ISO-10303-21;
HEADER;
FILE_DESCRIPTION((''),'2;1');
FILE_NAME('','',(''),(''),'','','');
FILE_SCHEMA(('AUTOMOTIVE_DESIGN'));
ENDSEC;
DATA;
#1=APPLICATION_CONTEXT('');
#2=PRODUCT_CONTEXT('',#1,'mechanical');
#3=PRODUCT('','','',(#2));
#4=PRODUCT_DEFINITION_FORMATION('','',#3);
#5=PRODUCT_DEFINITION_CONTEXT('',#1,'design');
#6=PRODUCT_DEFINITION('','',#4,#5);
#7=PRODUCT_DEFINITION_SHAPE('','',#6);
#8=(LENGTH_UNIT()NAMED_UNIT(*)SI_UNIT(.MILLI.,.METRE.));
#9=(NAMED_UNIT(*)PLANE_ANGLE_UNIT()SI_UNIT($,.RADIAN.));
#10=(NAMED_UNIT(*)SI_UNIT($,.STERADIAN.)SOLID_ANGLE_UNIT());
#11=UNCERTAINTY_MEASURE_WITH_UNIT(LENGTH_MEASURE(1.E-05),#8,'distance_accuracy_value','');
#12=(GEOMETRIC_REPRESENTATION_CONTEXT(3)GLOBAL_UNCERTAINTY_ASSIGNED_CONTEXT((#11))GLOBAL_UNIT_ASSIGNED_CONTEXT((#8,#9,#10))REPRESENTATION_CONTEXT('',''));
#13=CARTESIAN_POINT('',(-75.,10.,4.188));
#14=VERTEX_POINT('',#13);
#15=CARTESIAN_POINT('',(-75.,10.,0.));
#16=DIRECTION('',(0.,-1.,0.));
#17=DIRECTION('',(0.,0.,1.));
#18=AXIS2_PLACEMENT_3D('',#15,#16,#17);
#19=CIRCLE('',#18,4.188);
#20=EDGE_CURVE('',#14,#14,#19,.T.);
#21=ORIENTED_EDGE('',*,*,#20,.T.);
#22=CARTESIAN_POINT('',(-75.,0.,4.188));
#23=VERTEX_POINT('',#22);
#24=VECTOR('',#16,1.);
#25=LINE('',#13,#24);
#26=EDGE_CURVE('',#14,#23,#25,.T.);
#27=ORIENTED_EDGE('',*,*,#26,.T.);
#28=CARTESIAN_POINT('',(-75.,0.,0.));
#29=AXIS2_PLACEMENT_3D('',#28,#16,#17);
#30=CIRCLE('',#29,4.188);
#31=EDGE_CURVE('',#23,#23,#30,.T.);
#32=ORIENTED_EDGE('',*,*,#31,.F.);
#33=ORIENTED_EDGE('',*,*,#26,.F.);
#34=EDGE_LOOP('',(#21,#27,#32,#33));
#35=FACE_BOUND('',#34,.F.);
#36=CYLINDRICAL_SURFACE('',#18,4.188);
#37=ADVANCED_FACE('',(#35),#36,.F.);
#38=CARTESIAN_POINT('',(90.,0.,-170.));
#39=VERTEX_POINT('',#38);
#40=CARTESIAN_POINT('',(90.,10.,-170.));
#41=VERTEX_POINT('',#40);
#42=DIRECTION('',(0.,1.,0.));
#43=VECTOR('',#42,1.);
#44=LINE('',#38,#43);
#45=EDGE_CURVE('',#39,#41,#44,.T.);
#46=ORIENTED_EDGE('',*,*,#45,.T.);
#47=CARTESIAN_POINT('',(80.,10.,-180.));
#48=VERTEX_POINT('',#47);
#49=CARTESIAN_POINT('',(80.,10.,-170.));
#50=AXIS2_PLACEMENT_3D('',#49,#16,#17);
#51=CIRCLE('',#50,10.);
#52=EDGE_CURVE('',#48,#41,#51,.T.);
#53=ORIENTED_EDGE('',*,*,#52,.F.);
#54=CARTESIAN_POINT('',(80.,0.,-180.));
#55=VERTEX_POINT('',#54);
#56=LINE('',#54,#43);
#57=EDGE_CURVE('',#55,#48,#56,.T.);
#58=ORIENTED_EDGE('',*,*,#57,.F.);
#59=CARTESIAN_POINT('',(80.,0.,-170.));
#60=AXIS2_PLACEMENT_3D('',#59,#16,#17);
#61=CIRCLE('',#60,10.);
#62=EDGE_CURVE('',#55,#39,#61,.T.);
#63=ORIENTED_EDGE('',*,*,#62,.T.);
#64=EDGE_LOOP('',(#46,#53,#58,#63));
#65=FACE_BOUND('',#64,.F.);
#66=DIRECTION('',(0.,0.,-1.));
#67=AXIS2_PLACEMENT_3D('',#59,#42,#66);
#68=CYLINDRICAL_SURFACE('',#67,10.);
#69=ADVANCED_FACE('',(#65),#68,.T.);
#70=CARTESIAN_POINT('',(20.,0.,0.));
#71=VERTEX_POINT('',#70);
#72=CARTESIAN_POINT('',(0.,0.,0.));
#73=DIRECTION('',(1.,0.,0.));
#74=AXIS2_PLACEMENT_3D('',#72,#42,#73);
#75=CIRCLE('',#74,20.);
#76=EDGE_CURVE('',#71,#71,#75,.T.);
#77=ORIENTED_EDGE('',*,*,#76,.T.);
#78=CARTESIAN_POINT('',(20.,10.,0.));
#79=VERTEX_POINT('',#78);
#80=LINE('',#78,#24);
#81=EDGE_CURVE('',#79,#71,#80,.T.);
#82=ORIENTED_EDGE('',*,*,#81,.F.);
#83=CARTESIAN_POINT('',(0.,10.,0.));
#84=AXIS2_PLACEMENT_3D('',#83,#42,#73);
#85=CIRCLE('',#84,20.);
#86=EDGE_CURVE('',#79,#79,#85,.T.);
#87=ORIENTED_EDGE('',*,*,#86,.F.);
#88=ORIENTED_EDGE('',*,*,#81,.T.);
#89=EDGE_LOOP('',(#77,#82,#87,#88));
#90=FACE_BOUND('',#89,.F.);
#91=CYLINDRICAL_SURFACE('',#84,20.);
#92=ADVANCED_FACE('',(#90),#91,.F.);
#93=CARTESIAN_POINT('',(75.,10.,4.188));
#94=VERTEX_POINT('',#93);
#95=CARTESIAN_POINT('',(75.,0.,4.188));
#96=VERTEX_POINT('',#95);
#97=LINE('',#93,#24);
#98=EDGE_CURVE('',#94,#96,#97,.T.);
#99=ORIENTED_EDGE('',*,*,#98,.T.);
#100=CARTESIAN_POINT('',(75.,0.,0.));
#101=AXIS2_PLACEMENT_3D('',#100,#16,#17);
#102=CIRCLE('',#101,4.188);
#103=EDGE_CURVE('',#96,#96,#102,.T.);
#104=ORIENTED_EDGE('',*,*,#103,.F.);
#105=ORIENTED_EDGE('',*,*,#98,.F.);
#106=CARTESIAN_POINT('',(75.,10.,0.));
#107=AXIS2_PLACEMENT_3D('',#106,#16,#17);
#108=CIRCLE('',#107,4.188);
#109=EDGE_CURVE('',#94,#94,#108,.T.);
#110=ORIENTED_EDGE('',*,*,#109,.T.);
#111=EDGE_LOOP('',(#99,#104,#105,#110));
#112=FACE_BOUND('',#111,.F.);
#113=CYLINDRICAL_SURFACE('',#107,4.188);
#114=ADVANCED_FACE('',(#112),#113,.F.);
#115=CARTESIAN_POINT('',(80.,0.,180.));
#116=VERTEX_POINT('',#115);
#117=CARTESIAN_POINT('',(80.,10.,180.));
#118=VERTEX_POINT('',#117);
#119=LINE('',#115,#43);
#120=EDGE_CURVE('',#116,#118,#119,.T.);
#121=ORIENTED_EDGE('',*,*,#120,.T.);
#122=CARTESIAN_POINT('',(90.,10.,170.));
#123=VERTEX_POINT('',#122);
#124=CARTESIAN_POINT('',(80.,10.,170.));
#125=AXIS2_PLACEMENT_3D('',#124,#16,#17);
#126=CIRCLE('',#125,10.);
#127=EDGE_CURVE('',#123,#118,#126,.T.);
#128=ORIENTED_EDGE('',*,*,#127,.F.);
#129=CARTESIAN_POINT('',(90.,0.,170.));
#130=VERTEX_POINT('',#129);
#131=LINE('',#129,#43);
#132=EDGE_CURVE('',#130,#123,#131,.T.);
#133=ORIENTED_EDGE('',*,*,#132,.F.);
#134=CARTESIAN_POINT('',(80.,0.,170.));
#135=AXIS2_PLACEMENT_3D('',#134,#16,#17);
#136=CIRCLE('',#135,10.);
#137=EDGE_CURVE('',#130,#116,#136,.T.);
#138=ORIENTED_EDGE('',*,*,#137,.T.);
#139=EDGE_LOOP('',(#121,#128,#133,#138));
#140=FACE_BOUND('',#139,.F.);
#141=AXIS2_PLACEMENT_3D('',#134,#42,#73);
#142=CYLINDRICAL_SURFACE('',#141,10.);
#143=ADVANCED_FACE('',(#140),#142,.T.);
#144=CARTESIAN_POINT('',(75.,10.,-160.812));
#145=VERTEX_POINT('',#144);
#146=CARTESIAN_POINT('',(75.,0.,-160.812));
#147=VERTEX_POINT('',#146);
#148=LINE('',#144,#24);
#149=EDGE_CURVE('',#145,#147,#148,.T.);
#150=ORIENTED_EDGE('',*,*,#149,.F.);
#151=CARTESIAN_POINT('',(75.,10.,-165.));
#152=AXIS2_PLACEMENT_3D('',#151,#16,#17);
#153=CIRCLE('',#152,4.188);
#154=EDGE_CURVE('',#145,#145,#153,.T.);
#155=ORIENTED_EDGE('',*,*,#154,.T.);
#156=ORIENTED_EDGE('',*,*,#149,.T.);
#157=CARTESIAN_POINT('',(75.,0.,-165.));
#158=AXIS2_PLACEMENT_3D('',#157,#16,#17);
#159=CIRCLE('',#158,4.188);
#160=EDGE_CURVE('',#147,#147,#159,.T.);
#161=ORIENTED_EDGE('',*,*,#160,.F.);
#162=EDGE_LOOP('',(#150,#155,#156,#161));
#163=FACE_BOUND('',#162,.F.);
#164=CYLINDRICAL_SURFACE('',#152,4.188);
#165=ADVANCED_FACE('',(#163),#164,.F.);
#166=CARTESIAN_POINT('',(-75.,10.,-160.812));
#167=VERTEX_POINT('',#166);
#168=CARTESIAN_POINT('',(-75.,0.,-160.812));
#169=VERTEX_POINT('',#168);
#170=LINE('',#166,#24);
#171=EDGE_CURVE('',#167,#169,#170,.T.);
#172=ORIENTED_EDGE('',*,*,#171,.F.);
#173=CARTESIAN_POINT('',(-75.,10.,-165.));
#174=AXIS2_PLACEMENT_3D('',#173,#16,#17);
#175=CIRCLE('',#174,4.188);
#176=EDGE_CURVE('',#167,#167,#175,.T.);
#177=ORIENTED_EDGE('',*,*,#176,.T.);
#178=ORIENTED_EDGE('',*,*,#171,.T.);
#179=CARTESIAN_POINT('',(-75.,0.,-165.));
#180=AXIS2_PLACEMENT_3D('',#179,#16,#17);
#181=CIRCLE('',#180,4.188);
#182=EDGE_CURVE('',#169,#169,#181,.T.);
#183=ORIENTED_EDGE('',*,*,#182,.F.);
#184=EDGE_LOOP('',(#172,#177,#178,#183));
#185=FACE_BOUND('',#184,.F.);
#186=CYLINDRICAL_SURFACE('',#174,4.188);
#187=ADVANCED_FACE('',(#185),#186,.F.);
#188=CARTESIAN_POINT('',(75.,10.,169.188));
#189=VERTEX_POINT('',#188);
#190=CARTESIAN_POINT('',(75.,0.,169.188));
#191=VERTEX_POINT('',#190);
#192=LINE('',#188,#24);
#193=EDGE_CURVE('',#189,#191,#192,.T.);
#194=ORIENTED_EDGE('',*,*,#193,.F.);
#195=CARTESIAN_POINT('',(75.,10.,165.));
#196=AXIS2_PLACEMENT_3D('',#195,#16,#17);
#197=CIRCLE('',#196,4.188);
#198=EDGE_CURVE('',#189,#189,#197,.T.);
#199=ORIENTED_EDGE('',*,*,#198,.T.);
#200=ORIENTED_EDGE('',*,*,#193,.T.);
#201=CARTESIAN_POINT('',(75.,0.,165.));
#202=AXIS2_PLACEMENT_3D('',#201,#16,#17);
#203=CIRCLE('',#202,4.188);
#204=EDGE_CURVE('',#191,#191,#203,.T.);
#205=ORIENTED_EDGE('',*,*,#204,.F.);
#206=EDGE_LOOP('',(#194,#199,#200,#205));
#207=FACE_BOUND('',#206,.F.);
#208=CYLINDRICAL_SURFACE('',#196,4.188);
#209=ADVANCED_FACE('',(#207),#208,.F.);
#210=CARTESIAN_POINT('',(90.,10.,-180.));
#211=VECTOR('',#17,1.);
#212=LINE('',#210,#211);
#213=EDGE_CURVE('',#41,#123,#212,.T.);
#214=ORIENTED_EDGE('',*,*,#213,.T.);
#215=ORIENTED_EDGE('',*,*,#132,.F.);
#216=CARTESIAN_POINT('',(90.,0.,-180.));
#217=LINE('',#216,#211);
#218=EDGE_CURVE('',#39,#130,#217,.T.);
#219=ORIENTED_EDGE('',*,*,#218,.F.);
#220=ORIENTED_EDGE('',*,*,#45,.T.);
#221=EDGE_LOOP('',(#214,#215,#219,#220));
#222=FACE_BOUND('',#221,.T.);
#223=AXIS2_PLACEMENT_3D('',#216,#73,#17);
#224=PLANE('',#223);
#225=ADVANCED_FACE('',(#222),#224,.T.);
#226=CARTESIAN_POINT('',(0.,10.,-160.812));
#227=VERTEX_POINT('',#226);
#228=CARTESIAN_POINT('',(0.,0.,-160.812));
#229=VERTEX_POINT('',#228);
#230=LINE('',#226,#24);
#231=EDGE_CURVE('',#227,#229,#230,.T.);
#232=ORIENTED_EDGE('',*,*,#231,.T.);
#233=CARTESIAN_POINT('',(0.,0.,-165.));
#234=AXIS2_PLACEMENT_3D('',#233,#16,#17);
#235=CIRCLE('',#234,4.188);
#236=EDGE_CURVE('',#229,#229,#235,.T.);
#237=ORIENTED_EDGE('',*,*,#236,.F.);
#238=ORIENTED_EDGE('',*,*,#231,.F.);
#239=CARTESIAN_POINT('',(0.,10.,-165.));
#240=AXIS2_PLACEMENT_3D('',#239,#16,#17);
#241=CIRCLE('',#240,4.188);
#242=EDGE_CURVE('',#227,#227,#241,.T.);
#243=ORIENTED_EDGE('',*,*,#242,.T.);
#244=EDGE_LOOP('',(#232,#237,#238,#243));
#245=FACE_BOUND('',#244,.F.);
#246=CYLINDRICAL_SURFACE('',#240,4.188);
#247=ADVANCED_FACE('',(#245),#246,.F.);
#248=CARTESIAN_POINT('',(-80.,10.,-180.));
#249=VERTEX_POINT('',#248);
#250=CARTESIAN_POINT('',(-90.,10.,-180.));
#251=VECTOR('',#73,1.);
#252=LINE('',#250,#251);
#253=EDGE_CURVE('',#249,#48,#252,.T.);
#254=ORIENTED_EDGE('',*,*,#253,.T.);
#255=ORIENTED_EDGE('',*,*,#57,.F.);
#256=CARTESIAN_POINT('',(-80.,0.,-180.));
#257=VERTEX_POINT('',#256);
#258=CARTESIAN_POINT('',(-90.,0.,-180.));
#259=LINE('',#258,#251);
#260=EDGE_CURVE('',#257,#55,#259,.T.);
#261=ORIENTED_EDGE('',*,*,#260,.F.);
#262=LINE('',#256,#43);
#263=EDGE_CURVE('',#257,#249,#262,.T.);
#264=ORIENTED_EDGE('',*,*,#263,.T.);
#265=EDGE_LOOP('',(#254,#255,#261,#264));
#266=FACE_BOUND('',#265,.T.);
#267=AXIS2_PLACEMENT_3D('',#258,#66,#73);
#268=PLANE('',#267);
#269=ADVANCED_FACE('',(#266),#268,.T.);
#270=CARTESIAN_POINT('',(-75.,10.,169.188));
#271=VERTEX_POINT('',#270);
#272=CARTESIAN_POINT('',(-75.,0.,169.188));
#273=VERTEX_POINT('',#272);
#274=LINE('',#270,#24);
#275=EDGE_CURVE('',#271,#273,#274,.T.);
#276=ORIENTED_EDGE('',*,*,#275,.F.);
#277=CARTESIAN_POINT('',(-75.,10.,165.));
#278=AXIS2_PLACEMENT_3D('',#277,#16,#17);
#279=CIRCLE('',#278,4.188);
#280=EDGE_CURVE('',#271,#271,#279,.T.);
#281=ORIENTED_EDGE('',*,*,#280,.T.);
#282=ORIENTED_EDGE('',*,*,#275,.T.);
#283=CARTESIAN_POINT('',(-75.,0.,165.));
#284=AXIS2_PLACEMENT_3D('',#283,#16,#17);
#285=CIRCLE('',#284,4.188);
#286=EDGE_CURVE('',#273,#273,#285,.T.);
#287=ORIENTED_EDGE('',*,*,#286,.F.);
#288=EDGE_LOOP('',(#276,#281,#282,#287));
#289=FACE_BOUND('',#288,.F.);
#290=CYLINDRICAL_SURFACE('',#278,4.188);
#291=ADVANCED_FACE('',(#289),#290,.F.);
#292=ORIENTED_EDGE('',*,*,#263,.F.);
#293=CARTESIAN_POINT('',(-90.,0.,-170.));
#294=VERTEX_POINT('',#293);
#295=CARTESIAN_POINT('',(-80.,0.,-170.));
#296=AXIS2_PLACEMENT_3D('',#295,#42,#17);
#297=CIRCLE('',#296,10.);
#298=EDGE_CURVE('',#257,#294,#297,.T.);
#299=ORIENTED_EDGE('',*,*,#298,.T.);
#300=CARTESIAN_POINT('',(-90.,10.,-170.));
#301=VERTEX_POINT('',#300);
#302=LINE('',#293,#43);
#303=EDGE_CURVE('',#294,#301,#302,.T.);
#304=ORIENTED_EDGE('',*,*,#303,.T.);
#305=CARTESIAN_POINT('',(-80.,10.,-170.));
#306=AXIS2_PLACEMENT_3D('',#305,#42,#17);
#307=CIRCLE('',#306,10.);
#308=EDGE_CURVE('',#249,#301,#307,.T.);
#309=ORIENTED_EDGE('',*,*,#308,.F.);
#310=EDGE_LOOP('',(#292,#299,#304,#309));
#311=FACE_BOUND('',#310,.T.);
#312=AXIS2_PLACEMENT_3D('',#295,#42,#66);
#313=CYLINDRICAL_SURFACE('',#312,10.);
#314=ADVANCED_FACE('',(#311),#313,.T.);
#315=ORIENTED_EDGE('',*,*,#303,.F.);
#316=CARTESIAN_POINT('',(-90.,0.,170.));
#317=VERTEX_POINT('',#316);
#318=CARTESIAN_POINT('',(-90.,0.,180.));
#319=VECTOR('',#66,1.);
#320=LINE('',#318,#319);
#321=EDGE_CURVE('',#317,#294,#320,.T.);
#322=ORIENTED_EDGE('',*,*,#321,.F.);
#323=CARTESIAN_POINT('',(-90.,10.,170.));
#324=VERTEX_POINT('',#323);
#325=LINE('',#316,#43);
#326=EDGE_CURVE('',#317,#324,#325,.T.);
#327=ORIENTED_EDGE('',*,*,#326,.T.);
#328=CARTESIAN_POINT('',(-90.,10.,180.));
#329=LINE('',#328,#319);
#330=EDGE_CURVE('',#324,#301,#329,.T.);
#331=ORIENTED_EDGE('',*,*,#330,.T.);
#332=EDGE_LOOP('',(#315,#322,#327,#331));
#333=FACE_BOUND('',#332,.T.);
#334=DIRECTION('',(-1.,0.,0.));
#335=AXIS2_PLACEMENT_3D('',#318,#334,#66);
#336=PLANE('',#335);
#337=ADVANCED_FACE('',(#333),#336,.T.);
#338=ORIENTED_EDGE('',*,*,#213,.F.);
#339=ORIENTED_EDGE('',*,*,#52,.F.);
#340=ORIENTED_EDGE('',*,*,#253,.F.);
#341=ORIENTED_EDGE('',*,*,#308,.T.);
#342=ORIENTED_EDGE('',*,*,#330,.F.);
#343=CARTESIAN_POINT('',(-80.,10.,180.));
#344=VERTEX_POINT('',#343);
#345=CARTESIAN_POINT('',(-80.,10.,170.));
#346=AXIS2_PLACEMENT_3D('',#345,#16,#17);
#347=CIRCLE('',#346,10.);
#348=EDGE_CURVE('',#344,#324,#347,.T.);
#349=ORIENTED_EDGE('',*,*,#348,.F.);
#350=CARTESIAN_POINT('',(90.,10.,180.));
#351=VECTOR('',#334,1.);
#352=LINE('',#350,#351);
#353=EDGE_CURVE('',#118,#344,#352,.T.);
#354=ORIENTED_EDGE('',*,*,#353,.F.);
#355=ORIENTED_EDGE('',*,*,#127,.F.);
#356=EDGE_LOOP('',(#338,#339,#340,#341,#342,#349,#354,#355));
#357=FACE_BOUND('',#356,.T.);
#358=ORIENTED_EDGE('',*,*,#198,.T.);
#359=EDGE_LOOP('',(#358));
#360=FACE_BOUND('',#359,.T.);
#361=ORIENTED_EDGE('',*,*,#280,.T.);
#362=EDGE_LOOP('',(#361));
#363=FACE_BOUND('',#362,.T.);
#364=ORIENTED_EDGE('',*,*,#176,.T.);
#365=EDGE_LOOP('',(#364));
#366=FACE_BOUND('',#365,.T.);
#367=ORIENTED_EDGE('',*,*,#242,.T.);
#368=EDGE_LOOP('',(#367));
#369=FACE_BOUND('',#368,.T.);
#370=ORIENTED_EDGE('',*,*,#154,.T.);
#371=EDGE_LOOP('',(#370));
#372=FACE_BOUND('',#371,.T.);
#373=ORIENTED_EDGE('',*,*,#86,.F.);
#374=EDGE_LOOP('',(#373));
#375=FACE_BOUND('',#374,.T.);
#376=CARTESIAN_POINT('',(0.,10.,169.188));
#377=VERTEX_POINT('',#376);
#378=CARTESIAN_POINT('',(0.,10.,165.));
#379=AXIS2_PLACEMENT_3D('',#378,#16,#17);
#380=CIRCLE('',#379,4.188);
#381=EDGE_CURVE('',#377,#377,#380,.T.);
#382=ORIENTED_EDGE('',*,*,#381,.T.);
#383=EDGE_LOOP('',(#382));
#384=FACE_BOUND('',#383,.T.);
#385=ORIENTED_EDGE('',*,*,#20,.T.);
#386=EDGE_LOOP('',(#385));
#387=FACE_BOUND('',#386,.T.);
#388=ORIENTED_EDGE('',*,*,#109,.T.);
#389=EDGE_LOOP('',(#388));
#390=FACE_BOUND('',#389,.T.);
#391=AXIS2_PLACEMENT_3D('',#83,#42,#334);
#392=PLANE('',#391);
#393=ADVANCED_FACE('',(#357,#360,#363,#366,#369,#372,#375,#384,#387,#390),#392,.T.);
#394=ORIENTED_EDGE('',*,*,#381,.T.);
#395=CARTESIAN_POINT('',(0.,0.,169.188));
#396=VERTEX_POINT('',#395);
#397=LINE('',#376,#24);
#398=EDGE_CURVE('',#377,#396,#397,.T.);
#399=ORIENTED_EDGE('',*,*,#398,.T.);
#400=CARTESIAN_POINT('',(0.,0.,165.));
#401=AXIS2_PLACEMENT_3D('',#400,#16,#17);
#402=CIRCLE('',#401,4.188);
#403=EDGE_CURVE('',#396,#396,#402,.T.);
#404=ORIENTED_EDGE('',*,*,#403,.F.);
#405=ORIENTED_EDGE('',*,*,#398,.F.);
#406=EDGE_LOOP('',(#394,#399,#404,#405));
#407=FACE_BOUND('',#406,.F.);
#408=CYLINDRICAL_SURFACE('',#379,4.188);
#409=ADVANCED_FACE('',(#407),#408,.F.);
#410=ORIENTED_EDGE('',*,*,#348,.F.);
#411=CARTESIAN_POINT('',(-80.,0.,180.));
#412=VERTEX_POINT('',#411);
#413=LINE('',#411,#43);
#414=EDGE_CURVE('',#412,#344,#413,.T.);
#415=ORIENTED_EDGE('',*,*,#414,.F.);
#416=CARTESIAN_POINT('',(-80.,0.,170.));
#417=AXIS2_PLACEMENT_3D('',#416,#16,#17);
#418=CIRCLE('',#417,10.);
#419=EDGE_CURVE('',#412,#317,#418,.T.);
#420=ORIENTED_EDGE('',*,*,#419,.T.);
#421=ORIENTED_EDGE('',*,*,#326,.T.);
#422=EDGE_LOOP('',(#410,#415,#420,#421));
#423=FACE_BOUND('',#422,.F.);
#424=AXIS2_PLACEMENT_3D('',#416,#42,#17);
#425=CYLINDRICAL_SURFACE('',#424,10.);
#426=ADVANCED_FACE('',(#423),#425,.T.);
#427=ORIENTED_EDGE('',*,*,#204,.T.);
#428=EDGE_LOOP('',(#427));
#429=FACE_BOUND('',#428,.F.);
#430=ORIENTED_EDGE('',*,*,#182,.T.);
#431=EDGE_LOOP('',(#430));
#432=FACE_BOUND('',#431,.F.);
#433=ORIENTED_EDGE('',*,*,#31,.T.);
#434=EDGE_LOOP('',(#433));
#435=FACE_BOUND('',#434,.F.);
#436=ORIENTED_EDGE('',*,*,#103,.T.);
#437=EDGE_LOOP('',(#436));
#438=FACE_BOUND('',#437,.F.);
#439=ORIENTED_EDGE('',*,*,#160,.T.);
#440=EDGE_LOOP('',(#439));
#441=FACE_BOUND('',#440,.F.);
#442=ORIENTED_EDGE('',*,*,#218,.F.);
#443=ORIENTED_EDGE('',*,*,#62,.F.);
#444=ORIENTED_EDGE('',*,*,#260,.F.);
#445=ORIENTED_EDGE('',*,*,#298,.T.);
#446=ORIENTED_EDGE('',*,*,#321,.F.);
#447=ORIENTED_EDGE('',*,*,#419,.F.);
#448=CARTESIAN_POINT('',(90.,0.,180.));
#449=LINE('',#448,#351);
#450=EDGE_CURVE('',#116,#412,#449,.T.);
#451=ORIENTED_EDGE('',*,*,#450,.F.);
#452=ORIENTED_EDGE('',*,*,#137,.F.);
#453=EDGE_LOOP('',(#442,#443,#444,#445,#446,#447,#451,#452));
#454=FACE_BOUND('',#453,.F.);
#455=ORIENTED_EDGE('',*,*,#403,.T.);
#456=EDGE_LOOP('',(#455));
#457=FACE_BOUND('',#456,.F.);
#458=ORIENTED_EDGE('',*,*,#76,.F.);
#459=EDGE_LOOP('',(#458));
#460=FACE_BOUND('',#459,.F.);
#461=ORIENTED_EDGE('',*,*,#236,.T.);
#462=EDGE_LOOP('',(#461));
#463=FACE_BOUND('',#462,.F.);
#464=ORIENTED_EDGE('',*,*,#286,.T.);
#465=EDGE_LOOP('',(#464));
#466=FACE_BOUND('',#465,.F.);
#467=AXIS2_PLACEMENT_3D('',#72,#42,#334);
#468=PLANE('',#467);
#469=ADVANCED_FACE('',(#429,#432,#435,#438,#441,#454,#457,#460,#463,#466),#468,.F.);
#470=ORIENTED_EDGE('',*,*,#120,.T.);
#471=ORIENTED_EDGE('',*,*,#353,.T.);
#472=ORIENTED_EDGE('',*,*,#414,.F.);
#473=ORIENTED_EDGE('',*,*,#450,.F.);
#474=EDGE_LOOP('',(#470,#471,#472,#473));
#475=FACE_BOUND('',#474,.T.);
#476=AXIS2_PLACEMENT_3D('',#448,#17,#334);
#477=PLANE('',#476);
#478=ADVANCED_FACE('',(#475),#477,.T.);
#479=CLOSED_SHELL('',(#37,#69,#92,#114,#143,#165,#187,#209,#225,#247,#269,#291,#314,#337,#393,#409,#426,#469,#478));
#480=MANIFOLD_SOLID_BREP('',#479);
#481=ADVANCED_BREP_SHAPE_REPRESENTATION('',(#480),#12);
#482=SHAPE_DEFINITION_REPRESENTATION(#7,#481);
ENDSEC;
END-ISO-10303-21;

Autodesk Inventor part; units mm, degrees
ref_plane "YZ Plane" through (0, 0, 0) normal (1, 0, 0) x (0, 1, 0)
ref_plane "XZ Plane" through (0, 0, 0) normal (0, 1, 0) x (-1, 0, 0)
ref_plane "XY Plane" through (0, 0, 0) normal (0, 0, 1) x (1, 0, 0)
sketch "Эскиз1" plane through (0, 0, 0) normal (0, 1, 0) x (-1, 0, 0)
  line L0 (90, -180) -> (-90, -180)
  line L1 (-90, -180) -> (-90, 180)
  line L2 (-90, 180) -> (90, 180)
  line L3 (90, 180) -> (90, -180)
  line L4 (90, -180) -> (-90, 180) construction
  line L5 (-90, -180) -> (90, 180) construction
  point P0 (0, 0)
  dimension "d0" = 180
  dimension "d1" = 360
extrude "Выдавливание1" add sketch "Эскиз1" along normal blind 10
fillet "Сопряжение1" radius 10 4 edges at (-90, 5, -180) (-90, 5, 180) (90, 5, 180) (90, 5, -180)
sketch "Эскиз2" plane through (0, 10, 0) normal (0, 1, 0) x (1, 0, 0)
  line L0 (90, -170) -> (90, 170) projected
  line L1 (-80, -180) -> (80, -180) projected
  line L2 (0, 185.9906) -> (0, -228.4226) construction
  line L3 (-161.892, 0) -> (248.2378, 0) construction
  point P0 (0, 0)
  point P1 (75, -165)
  point P2 (75, 0)
  point P3 (0, -165)
  point P4 (75, 165)
  point P5 (0, 165)
  point P6 (-75, -165)
  point P7 (-75, 0)
  point P8 (-75, 165)
  point P9 (90, 0)
  dimension "d5" = 15
  dimension "d7" = 15
hole "Отверстие1" at (75, 10, 165) at (75, 10, 0) at (0, 10, 165) at (0, 10, -165) at (75, 10, -165) at (-75, 10, -165) at (-75, 10, 0) at (-75, 10, 165) direction (0, -1, 0) diameter 8.376 end through all thread size "M10x1.5" class "6H" standard "ISO Metric profile"
sketch "Эскиз3" plane through (0, 10, 0) normal (0, 1, 0) x (1, 0, 0)
  circle A0 centre (0, 0) radius 20
  dimension "d15" = 40
extrude "Выдавливание2" cut sketch "Эскиз3" against normal through all
properties part number "МПСТ люк" material "Сталь, углеродистая"
